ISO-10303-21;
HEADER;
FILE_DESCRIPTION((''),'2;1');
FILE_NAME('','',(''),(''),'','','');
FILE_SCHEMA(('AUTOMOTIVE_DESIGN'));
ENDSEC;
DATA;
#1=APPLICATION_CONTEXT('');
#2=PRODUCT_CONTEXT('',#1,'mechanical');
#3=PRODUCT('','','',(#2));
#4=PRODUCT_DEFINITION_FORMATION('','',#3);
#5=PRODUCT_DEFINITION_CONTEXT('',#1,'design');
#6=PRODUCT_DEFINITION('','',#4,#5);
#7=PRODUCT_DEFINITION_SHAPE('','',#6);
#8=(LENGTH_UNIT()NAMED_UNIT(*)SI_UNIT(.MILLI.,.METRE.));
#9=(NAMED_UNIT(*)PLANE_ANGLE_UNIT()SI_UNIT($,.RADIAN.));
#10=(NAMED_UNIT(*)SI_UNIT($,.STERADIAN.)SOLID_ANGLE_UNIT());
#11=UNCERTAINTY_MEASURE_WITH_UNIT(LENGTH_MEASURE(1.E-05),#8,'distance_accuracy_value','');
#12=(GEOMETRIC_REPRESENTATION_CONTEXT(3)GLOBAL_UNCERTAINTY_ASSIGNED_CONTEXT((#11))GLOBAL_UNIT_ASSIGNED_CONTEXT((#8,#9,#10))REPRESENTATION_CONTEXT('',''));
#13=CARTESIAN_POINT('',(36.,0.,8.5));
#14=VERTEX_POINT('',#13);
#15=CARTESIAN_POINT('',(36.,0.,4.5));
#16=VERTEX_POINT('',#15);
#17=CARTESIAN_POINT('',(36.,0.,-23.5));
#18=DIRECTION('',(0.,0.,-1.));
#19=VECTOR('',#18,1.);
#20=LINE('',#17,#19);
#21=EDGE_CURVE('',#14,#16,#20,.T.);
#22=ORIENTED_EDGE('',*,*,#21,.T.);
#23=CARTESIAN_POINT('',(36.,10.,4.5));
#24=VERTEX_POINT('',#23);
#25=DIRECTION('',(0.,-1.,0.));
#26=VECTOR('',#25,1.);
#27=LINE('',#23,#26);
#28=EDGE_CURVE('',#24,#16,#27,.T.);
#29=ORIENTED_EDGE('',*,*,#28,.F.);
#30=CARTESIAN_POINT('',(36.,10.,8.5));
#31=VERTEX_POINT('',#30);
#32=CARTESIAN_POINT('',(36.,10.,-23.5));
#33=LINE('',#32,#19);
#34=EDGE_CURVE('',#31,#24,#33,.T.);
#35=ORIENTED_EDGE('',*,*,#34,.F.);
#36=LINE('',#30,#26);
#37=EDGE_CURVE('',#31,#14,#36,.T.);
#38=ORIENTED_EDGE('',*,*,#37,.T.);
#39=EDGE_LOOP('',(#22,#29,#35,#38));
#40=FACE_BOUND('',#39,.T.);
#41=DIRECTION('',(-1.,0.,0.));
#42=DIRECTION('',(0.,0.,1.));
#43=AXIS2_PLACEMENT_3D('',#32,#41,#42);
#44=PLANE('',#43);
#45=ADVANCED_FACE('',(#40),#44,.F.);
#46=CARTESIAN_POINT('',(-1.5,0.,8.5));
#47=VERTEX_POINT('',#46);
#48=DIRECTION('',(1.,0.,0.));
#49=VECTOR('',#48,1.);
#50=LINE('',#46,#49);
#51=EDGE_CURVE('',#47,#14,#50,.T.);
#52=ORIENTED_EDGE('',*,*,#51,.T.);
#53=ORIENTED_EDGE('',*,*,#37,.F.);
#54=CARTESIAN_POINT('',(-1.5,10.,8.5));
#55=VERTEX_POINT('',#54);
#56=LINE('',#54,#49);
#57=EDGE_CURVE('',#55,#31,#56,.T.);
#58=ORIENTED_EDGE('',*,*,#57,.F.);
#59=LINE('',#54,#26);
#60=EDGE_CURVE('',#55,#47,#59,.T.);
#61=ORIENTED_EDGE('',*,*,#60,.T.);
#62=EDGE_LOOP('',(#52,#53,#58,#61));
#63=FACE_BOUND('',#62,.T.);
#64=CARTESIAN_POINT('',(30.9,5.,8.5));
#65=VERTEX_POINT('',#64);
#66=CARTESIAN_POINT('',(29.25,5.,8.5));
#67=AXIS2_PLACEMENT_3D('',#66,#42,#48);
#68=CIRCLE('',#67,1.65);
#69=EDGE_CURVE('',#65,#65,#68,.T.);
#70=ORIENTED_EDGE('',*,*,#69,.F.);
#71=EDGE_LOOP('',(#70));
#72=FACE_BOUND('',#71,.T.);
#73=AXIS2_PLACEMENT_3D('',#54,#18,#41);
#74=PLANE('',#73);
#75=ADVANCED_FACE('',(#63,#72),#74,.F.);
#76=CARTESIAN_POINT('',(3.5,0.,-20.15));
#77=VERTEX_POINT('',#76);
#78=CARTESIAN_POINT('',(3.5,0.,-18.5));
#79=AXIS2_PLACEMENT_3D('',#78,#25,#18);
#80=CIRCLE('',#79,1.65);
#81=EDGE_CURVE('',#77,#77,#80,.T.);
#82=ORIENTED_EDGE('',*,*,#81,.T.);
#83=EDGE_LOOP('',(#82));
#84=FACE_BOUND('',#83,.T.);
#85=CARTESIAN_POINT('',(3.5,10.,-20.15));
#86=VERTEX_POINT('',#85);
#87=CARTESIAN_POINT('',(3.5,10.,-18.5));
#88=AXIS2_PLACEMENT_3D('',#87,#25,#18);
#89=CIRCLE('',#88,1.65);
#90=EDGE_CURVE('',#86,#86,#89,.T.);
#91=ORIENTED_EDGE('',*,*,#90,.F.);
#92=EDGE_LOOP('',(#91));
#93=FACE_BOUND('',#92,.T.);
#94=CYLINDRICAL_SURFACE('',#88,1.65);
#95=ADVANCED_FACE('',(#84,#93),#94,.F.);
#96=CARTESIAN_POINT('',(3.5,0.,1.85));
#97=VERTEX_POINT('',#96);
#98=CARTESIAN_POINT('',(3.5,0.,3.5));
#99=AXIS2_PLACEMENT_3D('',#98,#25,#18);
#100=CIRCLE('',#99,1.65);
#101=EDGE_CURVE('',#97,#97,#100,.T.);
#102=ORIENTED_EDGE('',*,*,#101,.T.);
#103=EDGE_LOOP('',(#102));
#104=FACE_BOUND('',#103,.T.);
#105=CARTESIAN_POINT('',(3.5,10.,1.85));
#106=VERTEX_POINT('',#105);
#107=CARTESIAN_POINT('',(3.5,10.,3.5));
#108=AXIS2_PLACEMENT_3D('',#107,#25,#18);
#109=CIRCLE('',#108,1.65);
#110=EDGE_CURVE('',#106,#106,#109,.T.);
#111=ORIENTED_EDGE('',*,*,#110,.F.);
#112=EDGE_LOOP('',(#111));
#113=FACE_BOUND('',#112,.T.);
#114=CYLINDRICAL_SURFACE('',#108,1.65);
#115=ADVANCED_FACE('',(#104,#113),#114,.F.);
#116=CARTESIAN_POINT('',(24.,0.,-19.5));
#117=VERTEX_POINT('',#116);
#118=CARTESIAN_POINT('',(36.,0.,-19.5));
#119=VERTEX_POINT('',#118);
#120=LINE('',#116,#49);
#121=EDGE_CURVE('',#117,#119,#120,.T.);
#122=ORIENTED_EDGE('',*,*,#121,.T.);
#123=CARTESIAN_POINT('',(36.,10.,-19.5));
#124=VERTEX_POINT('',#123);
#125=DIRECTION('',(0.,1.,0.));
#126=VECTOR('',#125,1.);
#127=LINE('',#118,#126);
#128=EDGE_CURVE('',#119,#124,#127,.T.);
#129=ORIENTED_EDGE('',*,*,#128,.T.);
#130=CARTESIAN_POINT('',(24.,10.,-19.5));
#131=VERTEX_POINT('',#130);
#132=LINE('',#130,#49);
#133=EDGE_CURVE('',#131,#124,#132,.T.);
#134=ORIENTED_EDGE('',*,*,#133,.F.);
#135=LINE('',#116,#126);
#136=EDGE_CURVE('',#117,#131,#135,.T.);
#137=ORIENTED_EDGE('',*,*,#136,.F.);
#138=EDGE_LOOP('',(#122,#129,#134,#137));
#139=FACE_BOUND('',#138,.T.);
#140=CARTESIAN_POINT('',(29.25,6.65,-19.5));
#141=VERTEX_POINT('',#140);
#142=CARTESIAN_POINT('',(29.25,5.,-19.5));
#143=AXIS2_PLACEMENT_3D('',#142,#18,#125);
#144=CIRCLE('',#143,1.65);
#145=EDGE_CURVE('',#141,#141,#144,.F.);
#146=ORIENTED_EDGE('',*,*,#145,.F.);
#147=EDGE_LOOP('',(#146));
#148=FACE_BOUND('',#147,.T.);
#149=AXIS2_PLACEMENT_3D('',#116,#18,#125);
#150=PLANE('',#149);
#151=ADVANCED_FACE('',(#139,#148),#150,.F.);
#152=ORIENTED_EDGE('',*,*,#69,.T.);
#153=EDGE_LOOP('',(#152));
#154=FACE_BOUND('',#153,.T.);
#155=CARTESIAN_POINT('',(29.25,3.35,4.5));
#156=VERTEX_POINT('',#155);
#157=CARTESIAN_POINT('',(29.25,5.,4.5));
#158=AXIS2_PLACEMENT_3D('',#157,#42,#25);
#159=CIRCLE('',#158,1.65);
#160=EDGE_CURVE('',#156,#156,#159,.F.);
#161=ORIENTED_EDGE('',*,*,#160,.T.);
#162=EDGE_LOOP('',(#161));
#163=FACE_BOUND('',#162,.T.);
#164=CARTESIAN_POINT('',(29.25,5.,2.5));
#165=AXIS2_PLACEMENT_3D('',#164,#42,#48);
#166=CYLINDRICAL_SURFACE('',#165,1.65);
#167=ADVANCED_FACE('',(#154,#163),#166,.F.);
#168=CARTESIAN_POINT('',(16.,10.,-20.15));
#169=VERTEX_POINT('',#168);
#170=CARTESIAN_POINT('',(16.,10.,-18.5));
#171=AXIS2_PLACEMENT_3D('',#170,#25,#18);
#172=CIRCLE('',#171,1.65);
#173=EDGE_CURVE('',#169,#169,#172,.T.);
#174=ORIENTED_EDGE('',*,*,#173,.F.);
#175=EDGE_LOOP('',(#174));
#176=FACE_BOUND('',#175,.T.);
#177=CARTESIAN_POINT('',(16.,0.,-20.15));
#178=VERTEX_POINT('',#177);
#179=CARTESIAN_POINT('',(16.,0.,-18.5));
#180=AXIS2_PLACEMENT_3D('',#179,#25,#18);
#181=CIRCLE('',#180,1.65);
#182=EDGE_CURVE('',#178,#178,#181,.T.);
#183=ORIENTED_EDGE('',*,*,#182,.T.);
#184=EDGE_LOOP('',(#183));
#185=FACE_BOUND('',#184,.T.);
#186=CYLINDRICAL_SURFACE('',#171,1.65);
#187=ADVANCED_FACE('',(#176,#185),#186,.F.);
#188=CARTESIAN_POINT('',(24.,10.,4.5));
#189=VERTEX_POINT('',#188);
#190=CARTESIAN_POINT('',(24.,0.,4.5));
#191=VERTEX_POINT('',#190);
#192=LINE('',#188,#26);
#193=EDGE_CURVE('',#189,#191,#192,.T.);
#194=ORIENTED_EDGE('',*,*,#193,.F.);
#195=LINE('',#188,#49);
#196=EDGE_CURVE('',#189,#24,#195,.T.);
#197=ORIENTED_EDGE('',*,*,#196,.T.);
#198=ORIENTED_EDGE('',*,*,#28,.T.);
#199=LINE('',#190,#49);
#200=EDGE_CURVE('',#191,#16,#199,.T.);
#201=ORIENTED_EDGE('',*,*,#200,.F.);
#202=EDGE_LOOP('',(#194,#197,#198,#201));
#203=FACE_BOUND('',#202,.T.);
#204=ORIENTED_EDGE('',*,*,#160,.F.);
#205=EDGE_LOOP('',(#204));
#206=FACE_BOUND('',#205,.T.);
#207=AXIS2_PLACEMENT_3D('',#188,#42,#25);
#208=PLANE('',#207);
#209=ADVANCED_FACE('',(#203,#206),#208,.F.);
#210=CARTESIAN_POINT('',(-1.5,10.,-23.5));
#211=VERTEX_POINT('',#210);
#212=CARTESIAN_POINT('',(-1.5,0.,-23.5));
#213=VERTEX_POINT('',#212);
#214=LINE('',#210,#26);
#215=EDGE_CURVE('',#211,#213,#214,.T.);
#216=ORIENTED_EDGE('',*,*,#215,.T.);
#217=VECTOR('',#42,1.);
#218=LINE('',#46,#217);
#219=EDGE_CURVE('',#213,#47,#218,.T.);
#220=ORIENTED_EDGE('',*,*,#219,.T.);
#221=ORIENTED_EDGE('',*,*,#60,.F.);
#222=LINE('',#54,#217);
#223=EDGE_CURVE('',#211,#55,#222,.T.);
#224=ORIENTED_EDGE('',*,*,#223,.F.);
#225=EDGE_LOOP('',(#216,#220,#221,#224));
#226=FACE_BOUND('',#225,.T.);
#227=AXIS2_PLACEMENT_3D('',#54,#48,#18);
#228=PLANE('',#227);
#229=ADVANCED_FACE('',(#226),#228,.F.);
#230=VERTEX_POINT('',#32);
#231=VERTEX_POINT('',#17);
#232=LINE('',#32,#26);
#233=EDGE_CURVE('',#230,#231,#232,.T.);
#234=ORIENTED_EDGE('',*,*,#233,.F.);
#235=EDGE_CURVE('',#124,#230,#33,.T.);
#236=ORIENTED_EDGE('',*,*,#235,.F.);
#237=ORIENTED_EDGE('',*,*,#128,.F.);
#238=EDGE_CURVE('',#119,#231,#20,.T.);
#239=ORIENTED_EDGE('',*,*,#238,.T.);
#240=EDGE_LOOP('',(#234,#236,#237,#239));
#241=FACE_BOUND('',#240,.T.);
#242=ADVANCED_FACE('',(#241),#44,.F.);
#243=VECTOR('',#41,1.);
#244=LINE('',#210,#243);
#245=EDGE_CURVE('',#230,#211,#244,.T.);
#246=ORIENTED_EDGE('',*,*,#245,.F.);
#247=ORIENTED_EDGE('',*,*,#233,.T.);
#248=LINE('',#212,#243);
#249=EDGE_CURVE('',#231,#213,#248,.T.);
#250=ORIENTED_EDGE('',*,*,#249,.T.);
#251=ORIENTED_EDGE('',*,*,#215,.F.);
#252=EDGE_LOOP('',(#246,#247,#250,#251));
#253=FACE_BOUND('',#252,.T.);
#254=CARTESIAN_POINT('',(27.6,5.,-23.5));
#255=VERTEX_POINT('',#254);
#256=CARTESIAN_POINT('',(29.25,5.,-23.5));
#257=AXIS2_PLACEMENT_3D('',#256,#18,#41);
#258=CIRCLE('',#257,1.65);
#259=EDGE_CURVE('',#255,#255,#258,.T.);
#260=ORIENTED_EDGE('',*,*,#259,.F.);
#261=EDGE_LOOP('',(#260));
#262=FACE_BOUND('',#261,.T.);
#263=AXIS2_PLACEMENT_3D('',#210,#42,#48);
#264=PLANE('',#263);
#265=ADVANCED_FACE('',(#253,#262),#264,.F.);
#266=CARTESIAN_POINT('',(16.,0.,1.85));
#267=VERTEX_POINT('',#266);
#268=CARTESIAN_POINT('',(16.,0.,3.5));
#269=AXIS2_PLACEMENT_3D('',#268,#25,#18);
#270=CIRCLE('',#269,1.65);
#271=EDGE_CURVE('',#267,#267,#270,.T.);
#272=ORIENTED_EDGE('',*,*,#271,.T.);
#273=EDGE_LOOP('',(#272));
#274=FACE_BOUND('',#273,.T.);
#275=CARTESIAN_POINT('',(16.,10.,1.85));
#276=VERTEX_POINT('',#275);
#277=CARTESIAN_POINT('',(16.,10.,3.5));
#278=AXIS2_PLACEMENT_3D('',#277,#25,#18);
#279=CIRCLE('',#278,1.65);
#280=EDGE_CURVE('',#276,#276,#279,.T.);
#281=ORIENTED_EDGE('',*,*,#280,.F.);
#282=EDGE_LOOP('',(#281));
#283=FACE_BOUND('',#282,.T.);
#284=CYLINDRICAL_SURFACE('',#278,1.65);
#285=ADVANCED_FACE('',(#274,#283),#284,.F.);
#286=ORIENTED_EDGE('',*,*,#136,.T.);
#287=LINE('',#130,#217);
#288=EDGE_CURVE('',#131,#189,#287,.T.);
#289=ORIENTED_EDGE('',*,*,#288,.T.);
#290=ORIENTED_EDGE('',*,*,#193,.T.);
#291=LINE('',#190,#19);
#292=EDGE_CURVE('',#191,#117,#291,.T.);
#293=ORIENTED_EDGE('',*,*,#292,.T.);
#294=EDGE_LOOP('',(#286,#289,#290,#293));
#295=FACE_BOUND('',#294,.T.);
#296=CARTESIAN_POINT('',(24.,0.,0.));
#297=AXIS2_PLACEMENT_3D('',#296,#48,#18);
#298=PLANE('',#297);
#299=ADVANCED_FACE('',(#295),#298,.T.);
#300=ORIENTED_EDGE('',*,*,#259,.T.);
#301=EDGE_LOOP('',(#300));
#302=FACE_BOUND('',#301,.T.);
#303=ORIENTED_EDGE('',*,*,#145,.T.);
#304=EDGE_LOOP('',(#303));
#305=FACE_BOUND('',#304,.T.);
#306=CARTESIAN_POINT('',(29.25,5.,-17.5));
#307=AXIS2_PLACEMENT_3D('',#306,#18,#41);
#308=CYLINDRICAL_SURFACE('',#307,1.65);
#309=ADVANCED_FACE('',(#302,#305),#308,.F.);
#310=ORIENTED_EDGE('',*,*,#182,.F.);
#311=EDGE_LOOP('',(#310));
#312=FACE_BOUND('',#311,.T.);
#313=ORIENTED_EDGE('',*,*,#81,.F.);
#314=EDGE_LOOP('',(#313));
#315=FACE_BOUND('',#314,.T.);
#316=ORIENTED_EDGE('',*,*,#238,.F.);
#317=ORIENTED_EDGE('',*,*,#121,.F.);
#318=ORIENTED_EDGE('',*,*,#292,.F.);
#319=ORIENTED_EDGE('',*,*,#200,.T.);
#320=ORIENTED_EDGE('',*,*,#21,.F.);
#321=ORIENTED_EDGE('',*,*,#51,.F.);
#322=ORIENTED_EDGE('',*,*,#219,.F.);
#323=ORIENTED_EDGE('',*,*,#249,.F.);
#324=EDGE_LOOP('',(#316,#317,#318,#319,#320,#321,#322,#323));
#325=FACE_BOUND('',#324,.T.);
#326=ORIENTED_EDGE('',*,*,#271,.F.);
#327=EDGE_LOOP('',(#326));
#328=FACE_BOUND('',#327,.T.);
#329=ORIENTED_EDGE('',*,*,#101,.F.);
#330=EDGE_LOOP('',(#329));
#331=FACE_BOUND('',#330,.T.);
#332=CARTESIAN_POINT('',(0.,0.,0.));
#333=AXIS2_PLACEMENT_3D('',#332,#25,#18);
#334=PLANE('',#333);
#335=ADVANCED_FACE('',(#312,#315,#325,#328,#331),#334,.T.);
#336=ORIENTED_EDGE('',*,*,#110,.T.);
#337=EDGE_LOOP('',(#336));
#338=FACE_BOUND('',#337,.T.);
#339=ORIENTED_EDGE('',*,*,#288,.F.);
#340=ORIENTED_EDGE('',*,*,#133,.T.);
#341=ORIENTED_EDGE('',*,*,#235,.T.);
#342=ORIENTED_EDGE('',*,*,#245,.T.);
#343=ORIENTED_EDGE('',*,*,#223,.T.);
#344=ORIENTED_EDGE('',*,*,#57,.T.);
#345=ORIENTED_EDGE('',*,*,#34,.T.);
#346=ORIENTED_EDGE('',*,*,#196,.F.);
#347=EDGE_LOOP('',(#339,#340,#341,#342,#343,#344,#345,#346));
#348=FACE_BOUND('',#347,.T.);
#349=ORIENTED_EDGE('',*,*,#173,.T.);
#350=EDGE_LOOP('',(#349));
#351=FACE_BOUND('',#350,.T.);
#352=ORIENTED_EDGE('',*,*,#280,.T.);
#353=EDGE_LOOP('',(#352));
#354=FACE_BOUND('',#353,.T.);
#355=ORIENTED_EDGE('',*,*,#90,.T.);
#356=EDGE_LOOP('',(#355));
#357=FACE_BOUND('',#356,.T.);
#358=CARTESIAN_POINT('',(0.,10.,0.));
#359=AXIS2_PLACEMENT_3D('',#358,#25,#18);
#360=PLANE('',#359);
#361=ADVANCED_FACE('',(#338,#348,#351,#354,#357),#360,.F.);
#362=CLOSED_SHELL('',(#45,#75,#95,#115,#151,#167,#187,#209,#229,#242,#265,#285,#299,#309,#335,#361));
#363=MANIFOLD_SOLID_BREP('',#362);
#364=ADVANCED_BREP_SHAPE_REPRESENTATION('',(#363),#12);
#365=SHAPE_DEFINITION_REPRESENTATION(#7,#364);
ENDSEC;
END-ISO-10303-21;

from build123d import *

# Parameters (mm, degrees)
CROQUIS2_W              = 37.5
CROQUIS2_H              = 32
SALIENTE_EXTRUIR1_DEPTH = 10
CROQUIS7_R              = 1.65
CUT_EXTRUDE_1_DEPTH     = 10
CROQUIS13_R             = 1.65
CUT_EXTRUDE_3_DEPTH     = 6
CUT_EXTRUDE_START       = -6
CUT_EXTRUDE_4_DEPTH     = 6
SKETCH_7_W              = 24
SKETCH_7_H              = 10
CUT_EXTRUDE_5_DEPTH     = 12


with BuildPart() as part:
    # Croquis2 → Saliente-Extruir1 (new body)
    with BuildSketch(Plane(origin=(0, 0, 0), x_dir=(1, 0, 0), z_dir=(0, 1, 0))):
        with Locations((17.25, 7.5)):
            Rectangle(CROQUIS2_W, CROQUIS2_H)
    extrude(amount=SALIENTE_EXTRUIR1_DEPTH)

    # Croquis7 → 切除-拉伸1 (cut)
    with BuildSketch(Plane.XZ):
        with Locations(Location((3.5, -18.5, 0), (0, 0, 270))):
            Circle(CROQUIS7_R)
        with Locations(Location((16, -18.5, 0), (0, 0, 270))):
            Circle(CROQUIS7_R)
        with Locations(Location((3.5, 3.5, 0), (0, 0, 270))):
            Circle(CROQUIS7_R)
        with Locations(Location((16, 3.5, 0), (0, 0, 270))):
            Circle(CROQUIS7_R)
    extrude(amount=-CUT_EXTRUDE_1_DEPTH, mode=Mode.SUBTRACT)

    # Croquis13 → 切除-拉伸3 (cut)
    with BuildSketch(Plane.XY.offset(8.5)):
        with Locations((29.25, 5)):
            Circle(CROQUIS13_R)
    extrude(amount=-CUT_EXTRUDE_3_DEPTH, mode=Mode.SUBTRACT)

    # 草图6 → 切除-拉伸4 (cut)
    with BuildSketch(Plane(origin=(0, 0, -23.5), x_dir=(-1, 0, 0), z_dir=(0, 0, -1)).offset(CUT_EXTRUDE_START)):
        with BuildLine():
            ThreePointArc((-27.6, 5), (-28.083273811, 6.166726189), (-29.25, 6.65))
            Line((-29.25, 6.65), (-29.25, 3.35))
            ThreePointArc((-29.25, 3.35), (-28.083273811, 3.833273811), (-27.6, 5))
        make_face()
        with BuildLine():
            Line((-29.25, 3.35), (-29.25, 6.65))
            ThreePointArc((-29.25, 6.65), (-30.9, 5), (-29.25, 3.35))
        make_face()
    extrude(amount=CUT_EXTRUDE_4_DEPTH, mode=Mode.SUBTRACT)

    # 草图7 → 切除-拉伸5 (cut)
    with BuildSketch(Plane(origin=(36, 0, 0), x_dir=(0, 0, -1), z_dir=(1, 0, 0))):
        with Locations((7.5, 5)):
            Rectangle(SKETCH_7_W, SKETCH_7_H)
    extrude(amount=-CUT_EXTRUDE_5_DEPTH, mode=Mode.SUBTRACT)


solid = part.part
